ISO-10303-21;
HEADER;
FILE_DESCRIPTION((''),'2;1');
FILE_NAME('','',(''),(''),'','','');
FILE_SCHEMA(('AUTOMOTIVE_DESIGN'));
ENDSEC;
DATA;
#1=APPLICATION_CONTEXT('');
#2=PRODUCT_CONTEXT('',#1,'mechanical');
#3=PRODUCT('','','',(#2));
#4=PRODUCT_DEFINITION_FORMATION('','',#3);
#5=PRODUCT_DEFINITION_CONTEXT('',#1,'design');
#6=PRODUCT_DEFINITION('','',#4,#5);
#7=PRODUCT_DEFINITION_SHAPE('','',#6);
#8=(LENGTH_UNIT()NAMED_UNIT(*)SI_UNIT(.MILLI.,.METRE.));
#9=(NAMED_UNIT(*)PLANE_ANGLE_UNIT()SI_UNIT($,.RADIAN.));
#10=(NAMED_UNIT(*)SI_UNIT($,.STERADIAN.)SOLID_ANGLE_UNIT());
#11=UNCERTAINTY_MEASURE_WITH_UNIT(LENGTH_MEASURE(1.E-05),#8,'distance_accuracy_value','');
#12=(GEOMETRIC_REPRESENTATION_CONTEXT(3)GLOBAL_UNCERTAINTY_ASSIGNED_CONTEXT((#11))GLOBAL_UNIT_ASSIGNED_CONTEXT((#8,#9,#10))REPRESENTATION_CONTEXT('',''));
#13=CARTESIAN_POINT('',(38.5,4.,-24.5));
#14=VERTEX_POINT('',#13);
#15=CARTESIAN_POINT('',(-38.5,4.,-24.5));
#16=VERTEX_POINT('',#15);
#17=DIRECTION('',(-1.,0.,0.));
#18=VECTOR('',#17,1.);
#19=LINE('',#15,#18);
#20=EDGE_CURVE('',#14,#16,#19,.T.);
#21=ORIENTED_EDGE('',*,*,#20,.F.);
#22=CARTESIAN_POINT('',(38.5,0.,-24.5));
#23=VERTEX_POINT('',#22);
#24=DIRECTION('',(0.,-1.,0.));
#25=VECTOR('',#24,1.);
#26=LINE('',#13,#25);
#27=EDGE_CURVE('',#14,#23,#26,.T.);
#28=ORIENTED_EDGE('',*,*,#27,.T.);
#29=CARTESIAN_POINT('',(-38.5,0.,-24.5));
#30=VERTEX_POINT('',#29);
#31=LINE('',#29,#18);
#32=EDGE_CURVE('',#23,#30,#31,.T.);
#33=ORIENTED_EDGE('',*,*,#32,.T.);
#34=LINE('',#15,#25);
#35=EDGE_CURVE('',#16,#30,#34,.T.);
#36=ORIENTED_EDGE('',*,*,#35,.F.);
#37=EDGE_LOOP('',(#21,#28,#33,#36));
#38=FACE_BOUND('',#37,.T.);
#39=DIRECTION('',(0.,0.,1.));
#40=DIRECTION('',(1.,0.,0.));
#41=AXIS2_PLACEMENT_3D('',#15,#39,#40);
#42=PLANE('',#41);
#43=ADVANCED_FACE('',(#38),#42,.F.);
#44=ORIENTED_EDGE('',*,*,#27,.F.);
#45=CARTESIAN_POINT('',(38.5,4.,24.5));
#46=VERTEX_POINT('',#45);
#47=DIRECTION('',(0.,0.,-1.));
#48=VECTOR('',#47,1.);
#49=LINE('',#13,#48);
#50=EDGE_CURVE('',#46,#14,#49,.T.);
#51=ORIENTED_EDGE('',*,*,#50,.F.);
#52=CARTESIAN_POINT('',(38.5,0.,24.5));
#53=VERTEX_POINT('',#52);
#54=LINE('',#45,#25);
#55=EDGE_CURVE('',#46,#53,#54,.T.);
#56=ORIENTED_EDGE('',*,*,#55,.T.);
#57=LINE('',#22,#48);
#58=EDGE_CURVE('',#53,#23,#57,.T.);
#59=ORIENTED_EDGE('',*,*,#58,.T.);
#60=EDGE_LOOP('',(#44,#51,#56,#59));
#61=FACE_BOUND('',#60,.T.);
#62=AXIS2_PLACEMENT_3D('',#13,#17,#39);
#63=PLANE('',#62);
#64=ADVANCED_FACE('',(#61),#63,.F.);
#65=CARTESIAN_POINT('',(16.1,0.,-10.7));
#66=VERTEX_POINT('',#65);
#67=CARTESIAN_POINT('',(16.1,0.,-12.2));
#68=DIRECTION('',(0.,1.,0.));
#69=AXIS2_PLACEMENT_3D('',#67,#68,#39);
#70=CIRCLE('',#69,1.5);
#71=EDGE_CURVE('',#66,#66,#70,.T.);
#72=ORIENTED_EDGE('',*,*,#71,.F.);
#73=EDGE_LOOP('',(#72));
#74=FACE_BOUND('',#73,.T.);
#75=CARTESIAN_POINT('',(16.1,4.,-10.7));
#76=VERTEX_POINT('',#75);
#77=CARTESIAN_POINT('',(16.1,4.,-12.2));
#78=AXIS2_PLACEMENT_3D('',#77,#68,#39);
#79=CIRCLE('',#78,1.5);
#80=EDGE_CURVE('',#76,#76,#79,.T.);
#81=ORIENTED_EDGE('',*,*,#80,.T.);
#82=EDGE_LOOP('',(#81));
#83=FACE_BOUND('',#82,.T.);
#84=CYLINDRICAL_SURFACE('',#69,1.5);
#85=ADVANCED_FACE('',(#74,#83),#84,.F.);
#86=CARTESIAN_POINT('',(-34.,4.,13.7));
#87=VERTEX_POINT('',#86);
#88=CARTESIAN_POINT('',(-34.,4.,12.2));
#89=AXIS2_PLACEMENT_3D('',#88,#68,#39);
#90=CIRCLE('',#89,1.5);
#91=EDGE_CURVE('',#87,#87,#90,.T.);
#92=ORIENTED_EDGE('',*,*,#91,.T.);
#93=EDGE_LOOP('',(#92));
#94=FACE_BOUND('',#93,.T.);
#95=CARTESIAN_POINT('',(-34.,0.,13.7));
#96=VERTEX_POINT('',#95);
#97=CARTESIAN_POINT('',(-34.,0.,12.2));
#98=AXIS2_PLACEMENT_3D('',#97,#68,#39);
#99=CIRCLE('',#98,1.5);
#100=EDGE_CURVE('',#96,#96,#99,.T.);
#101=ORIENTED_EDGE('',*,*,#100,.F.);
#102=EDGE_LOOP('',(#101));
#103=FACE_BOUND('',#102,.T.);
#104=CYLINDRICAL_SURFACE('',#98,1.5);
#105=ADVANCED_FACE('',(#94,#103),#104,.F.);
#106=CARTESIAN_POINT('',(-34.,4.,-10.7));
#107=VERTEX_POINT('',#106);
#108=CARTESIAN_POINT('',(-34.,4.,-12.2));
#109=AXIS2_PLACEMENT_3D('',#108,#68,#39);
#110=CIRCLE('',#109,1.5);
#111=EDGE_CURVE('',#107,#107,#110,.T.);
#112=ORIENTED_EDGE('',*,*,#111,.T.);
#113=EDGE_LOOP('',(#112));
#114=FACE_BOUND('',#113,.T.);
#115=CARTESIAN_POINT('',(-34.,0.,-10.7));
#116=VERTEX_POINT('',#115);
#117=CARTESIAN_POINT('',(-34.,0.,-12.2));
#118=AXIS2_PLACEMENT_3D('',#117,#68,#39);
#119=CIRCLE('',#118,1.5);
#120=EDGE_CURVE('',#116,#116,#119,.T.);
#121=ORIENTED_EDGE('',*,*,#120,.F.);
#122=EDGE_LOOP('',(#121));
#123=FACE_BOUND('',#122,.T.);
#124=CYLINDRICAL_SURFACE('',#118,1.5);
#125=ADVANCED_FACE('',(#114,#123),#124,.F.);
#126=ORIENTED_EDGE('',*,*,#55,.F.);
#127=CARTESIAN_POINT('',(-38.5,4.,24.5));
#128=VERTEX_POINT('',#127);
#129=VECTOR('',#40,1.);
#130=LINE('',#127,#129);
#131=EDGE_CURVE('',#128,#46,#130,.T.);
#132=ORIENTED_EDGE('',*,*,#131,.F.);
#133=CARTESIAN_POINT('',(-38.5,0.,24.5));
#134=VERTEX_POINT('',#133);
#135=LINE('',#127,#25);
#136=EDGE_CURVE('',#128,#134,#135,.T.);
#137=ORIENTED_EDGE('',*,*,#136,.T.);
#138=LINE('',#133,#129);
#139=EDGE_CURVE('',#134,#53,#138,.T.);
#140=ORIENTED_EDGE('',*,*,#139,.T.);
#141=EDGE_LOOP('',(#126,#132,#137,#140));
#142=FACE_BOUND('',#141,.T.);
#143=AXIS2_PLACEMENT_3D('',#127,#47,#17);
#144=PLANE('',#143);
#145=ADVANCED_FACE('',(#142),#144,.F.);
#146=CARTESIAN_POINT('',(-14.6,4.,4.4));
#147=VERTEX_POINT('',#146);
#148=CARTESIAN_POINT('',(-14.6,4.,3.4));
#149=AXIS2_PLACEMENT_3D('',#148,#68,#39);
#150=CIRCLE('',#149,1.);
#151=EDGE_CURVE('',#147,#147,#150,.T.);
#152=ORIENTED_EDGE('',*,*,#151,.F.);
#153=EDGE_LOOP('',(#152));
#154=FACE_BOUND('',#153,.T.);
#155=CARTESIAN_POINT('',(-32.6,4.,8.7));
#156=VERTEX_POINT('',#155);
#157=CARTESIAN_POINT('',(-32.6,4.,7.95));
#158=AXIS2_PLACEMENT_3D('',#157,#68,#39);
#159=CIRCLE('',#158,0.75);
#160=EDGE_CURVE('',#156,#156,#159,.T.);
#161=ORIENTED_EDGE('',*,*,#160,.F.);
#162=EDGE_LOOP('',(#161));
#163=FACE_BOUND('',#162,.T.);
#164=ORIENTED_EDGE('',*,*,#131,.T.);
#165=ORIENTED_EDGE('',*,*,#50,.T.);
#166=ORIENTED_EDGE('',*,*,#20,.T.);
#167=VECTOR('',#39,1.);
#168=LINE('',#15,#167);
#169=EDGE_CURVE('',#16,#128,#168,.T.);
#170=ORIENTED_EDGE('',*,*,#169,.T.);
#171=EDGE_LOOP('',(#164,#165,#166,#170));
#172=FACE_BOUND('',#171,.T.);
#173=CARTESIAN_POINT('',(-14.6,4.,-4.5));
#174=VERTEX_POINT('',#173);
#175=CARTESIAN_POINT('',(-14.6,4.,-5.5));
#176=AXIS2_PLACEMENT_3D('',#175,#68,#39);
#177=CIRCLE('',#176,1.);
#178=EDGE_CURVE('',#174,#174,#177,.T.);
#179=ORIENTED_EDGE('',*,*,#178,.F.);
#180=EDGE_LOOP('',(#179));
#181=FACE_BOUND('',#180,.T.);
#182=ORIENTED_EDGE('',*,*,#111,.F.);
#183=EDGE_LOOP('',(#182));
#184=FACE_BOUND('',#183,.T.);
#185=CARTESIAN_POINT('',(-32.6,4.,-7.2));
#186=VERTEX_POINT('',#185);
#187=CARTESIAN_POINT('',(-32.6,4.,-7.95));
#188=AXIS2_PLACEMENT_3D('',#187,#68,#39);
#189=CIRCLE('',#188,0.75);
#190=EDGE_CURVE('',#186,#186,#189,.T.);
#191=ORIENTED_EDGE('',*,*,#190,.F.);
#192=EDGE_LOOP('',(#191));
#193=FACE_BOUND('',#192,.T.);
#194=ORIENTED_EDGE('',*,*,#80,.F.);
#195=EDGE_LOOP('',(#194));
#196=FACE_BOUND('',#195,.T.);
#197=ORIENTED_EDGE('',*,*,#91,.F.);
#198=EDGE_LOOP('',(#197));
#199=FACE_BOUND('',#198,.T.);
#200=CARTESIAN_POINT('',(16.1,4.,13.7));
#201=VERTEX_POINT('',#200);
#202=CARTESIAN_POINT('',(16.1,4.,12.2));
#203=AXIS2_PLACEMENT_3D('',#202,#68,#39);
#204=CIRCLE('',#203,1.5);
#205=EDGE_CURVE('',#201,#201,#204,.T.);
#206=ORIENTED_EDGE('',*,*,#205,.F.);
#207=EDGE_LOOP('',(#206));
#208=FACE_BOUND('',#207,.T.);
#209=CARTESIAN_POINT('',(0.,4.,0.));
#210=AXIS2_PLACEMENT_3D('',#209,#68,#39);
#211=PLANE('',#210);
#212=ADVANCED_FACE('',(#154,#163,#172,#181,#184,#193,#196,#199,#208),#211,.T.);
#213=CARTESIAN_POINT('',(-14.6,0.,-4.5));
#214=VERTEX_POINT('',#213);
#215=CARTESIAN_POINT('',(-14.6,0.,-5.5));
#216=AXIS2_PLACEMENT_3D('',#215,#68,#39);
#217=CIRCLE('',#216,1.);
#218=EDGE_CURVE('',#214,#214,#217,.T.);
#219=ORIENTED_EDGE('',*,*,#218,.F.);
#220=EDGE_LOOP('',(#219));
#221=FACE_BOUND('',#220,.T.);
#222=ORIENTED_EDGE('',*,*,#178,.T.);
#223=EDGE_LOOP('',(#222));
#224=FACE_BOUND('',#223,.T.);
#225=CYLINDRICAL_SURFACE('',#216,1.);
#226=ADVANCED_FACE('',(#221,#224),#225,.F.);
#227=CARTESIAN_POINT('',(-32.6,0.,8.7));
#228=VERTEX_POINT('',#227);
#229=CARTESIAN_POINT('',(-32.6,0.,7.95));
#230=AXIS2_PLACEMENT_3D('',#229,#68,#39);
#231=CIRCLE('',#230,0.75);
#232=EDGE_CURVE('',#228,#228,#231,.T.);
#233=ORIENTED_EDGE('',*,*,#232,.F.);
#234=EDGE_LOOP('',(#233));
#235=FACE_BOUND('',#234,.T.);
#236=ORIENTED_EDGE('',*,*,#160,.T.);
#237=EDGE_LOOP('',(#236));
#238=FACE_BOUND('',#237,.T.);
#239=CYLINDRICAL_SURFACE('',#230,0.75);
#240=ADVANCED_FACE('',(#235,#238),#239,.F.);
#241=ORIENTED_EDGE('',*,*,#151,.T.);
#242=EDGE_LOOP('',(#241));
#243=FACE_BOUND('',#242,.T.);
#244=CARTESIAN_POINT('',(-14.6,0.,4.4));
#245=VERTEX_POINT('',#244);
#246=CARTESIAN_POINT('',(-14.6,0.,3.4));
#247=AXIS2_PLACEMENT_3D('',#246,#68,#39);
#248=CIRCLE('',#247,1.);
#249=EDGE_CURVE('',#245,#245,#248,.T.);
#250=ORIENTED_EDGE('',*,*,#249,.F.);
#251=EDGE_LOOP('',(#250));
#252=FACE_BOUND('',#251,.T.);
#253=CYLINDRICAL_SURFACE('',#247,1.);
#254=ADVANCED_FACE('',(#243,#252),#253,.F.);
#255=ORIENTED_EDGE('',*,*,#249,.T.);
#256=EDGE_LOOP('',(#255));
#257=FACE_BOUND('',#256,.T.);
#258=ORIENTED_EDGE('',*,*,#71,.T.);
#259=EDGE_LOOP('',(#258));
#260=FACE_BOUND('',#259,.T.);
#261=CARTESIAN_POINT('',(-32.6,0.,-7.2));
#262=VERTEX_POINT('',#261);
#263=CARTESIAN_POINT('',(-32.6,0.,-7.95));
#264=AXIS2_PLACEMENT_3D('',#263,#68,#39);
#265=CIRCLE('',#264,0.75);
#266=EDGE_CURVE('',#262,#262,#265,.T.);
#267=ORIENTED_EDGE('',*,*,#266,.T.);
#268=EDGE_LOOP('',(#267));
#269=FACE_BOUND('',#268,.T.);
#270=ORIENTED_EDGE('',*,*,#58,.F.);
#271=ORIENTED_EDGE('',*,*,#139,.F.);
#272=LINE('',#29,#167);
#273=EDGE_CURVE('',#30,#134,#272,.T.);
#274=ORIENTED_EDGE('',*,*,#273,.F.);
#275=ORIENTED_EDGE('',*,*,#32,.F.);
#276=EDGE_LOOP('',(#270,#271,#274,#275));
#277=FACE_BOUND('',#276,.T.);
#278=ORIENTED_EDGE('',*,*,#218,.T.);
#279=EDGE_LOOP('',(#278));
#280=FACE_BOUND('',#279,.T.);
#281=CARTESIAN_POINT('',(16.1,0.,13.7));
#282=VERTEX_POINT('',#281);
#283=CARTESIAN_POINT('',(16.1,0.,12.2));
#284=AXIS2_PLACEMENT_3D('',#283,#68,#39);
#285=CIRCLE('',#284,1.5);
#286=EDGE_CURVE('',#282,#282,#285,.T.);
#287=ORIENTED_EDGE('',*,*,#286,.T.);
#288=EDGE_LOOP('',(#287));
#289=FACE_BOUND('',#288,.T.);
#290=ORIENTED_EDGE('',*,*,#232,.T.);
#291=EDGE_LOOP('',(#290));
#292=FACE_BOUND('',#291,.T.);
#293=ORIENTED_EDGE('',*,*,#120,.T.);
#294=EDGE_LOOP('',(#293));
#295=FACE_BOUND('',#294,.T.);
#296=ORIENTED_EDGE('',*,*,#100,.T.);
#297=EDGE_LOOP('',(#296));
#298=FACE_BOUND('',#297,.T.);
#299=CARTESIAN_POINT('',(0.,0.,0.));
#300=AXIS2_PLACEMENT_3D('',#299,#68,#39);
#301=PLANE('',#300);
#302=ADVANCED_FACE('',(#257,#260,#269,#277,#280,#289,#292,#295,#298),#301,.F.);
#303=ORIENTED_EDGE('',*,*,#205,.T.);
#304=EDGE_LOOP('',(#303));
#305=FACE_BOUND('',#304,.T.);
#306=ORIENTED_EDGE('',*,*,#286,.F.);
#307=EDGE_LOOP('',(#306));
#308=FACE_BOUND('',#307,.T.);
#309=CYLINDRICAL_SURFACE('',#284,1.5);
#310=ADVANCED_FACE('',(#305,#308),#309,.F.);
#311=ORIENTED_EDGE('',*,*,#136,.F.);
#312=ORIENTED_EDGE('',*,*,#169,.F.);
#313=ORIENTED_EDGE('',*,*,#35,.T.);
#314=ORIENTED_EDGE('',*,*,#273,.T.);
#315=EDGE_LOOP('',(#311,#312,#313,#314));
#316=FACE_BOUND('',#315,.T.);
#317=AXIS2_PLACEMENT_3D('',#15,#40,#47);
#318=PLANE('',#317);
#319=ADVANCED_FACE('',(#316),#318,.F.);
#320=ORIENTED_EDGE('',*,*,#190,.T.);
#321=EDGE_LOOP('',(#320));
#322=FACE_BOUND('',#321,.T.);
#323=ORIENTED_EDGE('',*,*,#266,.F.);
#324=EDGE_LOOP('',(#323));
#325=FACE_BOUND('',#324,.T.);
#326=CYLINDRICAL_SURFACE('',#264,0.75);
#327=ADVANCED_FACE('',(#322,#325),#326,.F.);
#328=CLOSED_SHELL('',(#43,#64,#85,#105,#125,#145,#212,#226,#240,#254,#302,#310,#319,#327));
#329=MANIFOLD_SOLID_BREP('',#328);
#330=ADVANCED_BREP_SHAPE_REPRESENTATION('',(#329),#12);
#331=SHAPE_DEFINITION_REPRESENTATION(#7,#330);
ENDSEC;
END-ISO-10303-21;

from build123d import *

# Parameters (mm, degrees)
SKETCH_1_W          = 77
SKETCH_1_H          = 49
EXTRUDE_1_DEPTH     = 4
SKETCH_2_R          = 1.5
SKETCH_2_R_2        = 0.75
SKETCH_2_R_3        = 1
CUT_EXTRUDE_2_DEPTH = 4


with BuildPart() as part:
    # 草图1 → 凸台-拉伸1 (new body)
    with BuildSketch(Plane(origin=(0, 0, 0), x_dir=(1, 0, 0), z_dir=(0, 1, 0))):
        Rectangle(SKETCH_1_W, SKETCH_1_H)
    extrude(amount=EXTRUDE_1_DEPTH)

    # 草图2 → 切除-拉伸2 (cut)
    with BuildSketch(Plane(origin=(0, 4, 0), x_dir=(1, 0, 0), z_dir=(0, 1, 0))):
        with Locations(Location((-34, -12.2, 0), (0, 0, 270))):
            Circle(SKETCH_2_R)
        with Locations(Location((16.1, -12.2, 0), (0, 0, 270))):
            Circle(SKETCH_2_R)
        with Locations(Location((16.1, 12.2, 0), (0, 0, 270))):
            Circle(SKETCH_2_R)
        with Locations(Location((-34, 12.2, 0), (0, 0, 270))):
            Circle(SKETCH_2_R)
        with Locations(Location((-32.6, 7.95, 0), (0, 0, 270))):
            Circle(SKETCH_2_R_2)
        with Locations(Location((-32.6, -7.95, 0), (0, 0, 270))):
            Circle(SKETCH_2_R_2)
        with Locations(Location((-14.6, -3.4, 0), (0, 0, 270))):
            Circle(SKETCH_2_R_3)
        with Locations(Location((-14.6, 5.5, 0), (0, 0, 270))):
            Circle(SKETCH_2_R_3)
    extrude(amount=-CUT_EXTRUDE_2_DEPTH, mode=Mode.SUBTRACT)


solid = part.part
